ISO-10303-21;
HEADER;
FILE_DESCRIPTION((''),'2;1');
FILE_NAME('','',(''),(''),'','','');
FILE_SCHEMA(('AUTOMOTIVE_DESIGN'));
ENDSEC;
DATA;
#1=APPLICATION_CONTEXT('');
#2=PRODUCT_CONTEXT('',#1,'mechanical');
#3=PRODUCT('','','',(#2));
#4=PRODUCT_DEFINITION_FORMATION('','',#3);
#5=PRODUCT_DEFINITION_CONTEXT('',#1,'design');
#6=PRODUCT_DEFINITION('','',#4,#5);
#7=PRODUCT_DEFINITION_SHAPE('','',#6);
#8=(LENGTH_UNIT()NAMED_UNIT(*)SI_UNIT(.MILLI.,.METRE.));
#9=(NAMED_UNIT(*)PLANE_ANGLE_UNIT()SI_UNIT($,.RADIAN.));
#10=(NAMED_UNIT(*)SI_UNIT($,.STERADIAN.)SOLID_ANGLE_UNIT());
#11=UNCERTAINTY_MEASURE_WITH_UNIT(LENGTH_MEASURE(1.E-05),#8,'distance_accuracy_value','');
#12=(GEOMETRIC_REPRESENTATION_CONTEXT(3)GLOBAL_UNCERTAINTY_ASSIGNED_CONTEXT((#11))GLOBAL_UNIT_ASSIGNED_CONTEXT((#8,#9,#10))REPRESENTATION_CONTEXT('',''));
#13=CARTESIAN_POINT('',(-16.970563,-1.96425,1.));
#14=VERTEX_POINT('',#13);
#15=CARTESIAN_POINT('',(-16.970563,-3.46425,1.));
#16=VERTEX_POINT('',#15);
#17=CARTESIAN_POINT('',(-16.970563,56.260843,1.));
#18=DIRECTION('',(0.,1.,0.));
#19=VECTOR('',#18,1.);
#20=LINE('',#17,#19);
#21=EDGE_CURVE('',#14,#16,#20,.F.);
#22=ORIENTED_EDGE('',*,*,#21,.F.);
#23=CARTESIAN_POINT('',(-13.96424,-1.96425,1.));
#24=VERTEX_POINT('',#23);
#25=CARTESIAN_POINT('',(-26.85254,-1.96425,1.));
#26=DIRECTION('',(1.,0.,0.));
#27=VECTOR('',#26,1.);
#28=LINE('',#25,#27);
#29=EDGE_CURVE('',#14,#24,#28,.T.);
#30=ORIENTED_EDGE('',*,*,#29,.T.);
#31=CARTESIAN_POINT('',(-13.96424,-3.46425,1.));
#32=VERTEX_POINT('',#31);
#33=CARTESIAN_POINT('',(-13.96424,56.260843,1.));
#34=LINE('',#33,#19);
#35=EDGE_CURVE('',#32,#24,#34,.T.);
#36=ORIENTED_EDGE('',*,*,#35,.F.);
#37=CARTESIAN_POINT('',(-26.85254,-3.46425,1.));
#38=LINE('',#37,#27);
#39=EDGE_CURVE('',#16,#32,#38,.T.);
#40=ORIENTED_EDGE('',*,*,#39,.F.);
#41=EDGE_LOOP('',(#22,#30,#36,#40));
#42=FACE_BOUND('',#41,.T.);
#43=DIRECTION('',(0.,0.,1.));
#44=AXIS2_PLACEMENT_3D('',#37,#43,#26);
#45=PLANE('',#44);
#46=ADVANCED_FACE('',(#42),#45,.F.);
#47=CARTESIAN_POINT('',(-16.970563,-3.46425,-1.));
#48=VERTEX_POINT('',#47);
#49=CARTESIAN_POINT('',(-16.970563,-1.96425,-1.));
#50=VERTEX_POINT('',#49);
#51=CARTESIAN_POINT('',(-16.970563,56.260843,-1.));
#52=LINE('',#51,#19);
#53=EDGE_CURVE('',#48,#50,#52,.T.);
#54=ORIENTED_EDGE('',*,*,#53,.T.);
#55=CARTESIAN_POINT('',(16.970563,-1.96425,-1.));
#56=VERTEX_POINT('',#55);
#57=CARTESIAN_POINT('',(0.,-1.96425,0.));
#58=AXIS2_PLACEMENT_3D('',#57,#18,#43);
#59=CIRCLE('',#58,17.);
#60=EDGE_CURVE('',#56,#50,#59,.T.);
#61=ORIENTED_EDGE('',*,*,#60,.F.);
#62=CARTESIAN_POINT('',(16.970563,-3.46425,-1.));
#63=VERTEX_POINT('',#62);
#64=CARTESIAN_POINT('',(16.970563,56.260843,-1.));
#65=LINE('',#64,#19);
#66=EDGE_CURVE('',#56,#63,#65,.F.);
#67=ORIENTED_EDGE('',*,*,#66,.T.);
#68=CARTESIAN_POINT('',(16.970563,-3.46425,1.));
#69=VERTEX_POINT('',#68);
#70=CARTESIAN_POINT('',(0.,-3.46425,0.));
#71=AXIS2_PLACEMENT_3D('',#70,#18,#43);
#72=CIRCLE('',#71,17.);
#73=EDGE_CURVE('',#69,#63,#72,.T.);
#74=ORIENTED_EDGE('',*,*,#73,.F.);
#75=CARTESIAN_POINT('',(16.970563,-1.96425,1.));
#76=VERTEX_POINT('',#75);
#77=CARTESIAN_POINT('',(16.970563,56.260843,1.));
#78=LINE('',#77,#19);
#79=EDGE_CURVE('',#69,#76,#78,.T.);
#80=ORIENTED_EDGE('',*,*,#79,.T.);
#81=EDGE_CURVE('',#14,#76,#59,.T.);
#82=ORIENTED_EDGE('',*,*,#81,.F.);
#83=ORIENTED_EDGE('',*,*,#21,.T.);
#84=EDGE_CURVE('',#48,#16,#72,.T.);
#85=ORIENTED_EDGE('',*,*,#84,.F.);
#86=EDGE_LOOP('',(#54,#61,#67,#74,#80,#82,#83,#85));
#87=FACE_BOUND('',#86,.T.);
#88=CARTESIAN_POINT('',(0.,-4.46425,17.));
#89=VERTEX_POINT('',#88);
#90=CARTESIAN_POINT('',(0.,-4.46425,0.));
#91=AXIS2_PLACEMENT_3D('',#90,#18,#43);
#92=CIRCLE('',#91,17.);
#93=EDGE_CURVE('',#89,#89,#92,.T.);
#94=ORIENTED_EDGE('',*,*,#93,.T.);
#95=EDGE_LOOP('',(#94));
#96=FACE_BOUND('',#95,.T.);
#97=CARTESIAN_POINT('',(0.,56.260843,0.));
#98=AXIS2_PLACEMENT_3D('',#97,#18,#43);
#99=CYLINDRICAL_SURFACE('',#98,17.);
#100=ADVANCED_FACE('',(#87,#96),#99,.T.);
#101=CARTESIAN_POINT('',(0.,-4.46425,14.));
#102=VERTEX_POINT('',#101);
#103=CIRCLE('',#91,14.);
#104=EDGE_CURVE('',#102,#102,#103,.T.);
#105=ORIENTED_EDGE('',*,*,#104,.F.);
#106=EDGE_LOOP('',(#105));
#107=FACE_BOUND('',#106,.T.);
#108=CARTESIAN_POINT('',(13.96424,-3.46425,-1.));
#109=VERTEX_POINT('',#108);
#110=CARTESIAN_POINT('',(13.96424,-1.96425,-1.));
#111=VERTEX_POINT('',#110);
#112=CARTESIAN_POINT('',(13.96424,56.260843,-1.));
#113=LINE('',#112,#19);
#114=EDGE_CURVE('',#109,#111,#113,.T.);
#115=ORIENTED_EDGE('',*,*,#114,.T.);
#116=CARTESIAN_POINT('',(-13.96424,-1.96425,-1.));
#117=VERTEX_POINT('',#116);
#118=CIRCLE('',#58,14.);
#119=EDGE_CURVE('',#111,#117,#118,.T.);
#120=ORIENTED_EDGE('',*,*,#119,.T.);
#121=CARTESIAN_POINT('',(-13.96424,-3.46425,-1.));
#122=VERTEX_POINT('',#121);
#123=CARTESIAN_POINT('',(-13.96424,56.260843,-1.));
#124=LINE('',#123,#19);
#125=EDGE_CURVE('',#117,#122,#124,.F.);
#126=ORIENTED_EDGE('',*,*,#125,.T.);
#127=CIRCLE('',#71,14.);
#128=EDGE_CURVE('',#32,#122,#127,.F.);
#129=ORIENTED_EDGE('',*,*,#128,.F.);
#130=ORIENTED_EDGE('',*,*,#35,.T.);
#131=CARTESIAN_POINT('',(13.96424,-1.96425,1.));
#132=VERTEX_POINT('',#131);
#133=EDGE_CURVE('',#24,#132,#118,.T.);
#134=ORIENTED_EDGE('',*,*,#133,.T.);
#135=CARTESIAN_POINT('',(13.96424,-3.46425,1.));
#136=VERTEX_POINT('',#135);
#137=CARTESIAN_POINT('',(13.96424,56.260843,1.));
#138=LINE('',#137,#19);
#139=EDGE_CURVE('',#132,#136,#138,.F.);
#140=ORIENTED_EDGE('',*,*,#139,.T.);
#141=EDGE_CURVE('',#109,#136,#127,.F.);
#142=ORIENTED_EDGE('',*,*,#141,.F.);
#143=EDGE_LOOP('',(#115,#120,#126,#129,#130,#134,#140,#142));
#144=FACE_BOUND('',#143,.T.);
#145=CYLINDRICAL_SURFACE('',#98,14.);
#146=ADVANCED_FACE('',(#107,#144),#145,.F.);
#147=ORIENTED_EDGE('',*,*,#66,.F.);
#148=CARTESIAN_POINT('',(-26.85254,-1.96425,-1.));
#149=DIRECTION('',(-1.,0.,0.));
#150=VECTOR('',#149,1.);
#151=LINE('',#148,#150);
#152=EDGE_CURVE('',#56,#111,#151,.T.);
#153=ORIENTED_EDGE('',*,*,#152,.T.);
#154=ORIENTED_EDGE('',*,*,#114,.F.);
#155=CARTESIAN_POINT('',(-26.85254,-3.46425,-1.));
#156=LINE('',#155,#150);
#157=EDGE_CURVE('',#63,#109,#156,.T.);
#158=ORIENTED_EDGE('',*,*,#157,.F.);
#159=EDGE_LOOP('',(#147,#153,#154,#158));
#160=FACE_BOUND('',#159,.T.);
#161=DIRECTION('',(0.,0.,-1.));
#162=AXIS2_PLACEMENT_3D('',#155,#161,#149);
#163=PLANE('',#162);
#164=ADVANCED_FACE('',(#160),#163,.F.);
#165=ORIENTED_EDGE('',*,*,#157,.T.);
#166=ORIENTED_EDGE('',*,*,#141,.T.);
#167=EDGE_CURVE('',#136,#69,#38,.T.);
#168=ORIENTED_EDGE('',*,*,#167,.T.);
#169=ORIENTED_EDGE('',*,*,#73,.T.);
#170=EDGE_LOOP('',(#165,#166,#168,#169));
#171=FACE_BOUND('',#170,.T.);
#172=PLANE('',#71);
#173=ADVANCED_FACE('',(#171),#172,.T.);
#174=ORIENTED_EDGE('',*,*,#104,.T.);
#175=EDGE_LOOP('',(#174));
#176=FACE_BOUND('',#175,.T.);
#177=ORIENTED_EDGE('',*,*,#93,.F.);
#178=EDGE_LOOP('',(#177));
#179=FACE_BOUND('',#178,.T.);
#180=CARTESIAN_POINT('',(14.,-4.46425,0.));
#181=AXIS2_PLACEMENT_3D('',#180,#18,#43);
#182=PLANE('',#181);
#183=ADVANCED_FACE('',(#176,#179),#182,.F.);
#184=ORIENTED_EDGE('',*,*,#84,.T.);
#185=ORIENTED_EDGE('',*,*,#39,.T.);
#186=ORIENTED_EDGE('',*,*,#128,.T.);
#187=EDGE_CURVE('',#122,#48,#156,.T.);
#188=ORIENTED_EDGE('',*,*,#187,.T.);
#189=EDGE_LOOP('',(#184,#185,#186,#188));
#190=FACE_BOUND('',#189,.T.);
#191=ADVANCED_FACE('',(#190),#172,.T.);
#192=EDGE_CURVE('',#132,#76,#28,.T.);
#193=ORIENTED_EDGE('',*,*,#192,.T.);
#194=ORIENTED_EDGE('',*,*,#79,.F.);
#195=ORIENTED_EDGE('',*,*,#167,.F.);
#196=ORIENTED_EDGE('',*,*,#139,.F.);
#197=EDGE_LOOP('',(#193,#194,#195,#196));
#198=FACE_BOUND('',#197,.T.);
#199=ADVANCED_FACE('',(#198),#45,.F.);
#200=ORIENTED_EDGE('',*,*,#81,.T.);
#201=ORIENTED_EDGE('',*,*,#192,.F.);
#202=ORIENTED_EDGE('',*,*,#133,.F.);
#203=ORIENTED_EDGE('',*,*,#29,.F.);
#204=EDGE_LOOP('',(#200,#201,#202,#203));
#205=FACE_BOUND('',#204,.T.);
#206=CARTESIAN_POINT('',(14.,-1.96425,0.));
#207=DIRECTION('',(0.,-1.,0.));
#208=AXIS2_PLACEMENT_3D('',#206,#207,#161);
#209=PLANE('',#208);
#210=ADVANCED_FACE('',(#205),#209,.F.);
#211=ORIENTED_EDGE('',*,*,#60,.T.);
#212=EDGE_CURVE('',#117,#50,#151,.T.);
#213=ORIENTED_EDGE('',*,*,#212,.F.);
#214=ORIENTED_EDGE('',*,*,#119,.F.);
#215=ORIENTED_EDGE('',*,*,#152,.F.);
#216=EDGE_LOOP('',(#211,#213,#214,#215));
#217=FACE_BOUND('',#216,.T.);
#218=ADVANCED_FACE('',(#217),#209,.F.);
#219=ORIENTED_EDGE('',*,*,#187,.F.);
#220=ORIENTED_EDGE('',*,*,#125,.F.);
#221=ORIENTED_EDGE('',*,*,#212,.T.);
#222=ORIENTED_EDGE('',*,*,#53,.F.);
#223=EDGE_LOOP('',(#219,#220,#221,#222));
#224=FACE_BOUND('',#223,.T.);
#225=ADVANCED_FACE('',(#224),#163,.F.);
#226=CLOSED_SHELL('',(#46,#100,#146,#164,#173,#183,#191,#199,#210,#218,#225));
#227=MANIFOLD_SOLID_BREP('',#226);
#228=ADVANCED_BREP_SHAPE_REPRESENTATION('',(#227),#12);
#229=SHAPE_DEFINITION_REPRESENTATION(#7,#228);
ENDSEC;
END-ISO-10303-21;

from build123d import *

# Parameters (mm, degrees)
SKETCH_1_W          = 3
SKETCH_1_H          = 2.5
SKETCH_2_W          = 53.705080546
SKETCH_2_H          = 2
CUT_EXTRUDE_1_DEPTH = 1.5


with BuildPart() as part:
    # 草图1 → 旋转1 (revolve)
    with BuildSketch(Plane.XY, mode=Mode.PRIVATE) as revolve_1_sk:
        with Locations((15.5, -3.214249787)):
            Rectangle(SKETCH_1_W, SKETCH_1_H)
    revolve(revolve_1_sk.sketch.rotate(Axis((0, 56.260842627, 0), (0, -1, 0)), 90), axis=Axis((0, 56.260842627, 0), (0, -1, 0)))  # turned: the seam where the file's is

    # 草图2 → 切除-拉伸1 (cut)
    with BuildSketch(Plane(origin=(0, -1.964249787, 0), x_dir=(1, 0, 0), z_dir=(0, 1, 0))):
        Rectangle(SKETCH_2_W, SKETCH_2_H)
    extrude(amount=-CUT_EXTRUDE_1_DEPTH, mode=Mode.SUBTRACT)


solid = part.part
